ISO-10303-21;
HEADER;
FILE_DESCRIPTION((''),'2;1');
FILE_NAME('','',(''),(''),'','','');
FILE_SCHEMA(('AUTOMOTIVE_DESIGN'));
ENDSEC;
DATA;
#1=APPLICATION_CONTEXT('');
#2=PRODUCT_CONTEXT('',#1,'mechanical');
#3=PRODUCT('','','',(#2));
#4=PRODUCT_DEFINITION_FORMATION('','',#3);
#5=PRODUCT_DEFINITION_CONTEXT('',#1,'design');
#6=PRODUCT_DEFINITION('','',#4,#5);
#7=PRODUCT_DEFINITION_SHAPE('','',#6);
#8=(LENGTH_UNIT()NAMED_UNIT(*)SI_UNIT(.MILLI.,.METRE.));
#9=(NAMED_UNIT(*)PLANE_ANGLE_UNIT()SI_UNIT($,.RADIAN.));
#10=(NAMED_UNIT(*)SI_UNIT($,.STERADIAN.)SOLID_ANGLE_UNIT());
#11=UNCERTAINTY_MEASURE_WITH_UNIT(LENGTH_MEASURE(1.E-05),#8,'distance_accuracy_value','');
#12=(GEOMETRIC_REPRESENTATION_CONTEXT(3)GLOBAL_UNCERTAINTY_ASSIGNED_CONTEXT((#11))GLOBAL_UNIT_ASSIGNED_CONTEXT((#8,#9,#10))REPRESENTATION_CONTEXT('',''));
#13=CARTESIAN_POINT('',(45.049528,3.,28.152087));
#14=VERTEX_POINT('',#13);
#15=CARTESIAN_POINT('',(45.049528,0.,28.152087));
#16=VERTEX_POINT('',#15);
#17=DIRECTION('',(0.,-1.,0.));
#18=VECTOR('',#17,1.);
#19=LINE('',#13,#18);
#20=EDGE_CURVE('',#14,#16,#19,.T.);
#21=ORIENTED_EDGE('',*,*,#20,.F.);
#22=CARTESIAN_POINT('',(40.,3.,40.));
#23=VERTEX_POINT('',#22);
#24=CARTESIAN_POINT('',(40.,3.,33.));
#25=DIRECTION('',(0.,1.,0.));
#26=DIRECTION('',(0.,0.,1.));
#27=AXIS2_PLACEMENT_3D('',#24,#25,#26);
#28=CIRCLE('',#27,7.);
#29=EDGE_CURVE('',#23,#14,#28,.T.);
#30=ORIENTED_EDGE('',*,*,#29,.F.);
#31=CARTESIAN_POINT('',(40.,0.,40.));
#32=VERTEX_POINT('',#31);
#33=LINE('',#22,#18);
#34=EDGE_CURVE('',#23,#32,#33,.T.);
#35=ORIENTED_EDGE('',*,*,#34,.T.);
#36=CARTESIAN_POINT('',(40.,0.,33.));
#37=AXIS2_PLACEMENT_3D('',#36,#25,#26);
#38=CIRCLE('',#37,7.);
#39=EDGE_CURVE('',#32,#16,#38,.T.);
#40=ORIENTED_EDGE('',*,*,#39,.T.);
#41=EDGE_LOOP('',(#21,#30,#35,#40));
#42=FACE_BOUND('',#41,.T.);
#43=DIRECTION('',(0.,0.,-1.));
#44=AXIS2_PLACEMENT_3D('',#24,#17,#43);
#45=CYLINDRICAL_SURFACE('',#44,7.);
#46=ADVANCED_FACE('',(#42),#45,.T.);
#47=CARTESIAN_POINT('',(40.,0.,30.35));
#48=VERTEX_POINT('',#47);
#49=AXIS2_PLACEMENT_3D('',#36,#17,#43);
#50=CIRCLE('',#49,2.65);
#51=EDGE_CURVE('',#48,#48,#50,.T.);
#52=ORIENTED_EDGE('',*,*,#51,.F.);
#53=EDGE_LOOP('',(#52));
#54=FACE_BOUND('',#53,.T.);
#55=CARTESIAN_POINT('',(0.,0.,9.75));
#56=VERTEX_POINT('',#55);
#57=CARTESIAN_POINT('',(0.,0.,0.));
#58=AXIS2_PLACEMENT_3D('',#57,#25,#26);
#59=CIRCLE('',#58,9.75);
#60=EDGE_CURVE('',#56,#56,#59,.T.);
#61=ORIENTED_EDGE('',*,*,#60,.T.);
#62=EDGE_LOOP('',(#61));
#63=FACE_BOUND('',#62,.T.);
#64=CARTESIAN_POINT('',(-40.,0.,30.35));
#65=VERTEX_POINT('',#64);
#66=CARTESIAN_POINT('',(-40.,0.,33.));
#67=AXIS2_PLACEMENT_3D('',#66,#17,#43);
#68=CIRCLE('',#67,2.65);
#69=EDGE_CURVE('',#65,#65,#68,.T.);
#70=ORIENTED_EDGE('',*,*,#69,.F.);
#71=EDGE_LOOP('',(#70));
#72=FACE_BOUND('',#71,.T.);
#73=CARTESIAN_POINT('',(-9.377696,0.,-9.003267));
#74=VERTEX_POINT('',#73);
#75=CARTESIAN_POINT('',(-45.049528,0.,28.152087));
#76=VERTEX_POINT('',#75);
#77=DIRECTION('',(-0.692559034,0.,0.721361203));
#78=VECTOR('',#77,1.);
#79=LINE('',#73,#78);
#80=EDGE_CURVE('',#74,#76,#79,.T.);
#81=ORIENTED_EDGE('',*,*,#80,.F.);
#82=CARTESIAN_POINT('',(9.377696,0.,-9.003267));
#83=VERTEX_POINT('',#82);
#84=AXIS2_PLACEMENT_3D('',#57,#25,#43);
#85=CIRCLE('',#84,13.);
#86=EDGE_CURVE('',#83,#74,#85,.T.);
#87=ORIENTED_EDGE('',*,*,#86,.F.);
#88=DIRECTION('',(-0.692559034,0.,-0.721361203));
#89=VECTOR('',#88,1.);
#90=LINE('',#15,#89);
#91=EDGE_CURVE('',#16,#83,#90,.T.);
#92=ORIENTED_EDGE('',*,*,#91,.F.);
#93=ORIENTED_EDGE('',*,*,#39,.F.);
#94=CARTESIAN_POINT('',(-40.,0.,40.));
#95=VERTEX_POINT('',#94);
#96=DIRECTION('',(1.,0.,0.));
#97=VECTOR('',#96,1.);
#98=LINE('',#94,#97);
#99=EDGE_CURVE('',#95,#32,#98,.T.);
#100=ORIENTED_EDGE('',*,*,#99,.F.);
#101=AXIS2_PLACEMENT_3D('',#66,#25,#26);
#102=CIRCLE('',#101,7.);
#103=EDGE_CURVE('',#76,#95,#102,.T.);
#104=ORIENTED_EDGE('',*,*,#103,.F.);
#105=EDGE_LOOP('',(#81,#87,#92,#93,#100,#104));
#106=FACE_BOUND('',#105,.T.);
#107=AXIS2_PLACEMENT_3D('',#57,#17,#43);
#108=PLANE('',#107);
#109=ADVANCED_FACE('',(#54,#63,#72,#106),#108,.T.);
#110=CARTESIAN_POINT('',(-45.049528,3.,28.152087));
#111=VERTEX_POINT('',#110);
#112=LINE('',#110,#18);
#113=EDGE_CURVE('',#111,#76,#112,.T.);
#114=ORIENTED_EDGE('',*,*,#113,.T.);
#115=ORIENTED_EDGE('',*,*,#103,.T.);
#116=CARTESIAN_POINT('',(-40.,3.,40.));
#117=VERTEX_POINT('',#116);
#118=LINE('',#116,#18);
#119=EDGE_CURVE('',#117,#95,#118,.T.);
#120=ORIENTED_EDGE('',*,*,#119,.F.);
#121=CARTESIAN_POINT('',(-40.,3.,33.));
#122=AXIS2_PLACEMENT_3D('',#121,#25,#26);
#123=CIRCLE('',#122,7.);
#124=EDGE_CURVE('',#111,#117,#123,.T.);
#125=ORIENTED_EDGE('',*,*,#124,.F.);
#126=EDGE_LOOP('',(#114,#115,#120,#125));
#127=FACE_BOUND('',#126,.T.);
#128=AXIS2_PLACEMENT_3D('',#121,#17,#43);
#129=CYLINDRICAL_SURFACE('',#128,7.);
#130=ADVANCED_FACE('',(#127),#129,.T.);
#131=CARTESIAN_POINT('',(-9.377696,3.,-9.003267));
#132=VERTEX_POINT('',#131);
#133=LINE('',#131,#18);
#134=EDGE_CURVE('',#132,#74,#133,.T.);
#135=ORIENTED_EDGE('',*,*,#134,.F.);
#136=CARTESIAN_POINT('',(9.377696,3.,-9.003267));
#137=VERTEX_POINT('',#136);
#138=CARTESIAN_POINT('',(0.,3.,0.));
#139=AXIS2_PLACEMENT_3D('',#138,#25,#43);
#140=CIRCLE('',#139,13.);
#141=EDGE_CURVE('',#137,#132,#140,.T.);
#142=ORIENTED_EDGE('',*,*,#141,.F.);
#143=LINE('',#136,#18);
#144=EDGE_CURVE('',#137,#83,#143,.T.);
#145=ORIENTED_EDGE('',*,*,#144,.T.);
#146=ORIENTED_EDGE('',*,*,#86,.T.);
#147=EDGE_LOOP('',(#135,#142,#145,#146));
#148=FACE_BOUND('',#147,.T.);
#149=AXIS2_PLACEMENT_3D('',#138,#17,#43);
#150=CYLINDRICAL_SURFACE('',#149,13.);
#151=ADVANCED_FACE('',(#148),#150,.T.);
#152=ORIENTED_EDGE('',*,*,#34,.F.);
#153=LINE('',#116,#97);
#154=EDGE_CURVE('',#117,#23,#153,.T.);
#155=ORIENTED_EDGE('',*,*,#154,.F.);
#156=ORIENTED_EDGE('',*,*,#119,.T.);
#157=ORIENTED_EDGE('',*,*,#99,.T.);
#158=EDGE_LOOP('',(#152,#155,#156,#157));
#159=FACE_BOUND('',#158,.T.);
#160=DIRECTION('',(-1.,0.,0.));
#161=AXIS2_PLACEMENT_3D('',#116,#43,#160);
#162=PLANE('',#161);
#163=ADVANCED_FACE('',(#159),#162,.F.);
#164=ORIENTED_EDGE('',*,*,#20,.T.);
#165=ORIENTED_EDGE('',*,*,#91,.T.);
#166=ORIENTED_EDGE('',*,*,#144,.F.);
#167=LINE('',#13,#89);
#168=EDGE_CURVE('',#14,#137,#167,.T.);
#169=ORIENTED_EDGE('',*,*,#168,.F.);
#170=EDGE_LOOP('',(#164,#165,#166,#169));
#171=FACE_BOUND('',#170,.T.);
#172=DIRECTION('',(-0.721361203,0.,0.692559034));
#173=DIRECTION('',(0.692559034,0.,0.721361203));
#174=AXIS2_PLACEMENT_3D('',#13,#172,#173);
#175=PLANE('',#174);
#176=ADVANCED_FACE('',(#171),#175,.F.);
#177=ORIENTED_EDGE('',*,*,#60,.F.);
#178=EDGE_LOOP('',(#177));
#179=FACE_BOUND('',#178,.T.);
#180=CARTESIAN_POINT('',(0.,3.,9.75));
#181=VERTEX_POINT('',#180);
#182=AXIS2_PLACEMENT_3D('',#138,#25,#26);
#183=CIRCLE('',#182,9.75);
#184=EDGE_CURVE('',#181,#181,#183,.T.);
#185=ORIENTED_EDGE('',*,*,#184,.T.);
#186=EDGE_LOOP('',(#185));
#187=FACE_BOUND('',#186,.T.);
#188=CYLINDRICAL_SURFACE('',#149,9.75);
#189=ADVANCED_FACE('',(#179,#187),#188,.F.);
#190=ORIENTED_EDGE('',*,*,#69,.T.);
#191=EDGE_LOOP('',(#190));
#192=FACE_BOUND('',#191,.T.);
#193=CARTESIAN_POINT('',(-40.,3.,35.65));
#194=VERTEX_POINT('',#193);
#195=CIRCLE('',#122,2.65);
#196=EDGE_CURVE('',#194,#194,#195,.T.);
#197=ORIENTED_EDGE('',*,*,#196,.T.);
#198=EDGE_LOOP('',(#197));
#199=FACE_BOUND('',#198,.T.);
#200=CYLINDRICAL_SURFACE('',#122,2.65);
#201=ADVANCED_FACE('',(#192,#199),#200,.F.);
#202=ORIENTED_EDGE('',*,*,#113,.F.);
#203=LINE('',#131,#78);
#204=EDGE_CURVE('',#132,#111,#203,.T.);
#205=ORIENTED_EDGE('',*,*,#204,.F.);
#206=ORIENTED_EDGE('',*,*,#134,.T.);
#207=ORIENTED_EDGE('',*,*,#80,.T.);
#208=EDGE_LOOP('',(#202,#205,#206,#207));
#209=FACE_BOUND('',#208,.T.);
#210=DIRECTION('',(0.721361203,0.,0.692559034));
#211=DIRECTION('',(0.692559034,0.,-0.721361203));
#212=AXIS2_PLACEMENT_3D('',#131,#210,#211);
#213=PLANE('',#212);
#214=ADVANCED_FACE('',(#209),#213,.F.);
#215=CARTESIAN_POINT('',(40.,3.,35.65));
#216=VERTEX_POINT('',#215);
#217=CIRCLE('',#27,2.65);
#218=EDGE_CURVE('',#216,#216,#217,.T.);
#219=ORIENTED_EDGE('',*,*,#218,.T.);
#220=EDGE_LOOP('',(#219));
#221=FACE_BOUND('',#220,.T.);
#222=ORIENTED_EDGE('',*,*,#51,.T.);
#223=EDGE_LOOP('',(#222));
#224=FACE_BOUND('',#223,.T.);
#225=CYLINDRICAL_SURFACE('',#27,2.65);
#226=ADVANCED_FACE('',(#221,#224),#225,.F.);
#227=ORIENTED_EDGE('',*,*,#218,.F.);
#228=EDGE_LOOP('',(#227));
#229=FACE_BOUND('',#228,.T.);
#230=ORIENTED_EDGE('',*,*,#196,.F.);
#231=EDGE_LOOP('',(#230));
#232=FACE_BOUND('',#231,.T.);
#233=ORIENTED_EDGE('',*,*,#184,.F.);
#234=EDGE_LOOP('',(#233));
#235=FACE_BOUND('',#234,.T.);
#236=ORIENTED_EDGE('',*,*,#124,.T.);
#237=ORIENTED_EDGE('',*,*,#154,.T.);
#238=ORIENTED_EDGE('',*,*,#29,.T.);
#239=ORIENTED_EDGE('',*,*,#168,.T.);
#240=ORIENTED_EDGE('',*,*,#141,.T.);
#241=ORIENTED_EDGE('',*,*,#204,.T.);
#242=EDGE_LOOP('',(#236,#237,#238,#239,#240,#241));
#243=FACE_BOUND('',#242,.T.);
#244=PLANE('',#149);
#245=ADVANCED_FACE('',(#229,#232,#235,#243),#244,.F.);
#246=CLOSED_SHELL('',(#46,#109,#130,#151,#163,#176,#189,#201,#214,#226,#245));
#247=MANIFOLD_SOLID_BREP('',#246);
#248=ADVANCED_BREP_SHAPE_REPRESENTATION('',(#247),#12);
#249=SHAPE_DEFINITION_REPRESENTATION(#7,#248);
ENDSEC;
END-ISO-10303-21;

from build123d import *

# Parameters (mm, degrees)
SKETCH1_R            = 9.75
BOSS_EXTRUDE1_DEPTH  = 3
M5_CLEARANCE_HOLE1_D = 5.3


with BuildPart() as part:
    # Sketch1 → Boss-Extrude1 (new body)
    with BuildSketch(Plane(origin=(0, 0, 0), x_dir=(1, 0, 0), z_dir=(0, 1, 0))):
        with BuildLine():
            Line((-9.377695636, 9.003267438), (-45.049528419, -28.152086764))
            ThreePointArc((-45.049528419, -28.152086764), (-46.439541624, -35.744504268), (-40, -40))
            Line((-40, -40), (40, -40))
            ThreePointArc((40, -40), (46.439541624, -35.744504268), (45.049528419, -28.152086764))
            Line((45.049528419, -28.152086764), (9.377695636, 9.003267438))
            ThreePointArc((9.377695636, 9.003267438), (0, 13), (-9.377695636, 9.003267438))
        make_face()
        with Locations(Location((0, 0, 0), (0, 0, 270))):
            Circle(SKETCH1_R, mode=Mode.SUBTRACT)
    extrude(amount=BOSS_EXTRUDE1_DEPTH)

    # M5 Clearance Hole1 (through all)
    with Locations(Plane(origin=(0, 3, 0), x_dir=(1, 0, 0), z_dir=(0, 1, 0))):
        with Locations((-40, -33), (40, -33)):
            Hole(M5_CLEARANCE_HOLE1_D / 2)


solid = part.part
